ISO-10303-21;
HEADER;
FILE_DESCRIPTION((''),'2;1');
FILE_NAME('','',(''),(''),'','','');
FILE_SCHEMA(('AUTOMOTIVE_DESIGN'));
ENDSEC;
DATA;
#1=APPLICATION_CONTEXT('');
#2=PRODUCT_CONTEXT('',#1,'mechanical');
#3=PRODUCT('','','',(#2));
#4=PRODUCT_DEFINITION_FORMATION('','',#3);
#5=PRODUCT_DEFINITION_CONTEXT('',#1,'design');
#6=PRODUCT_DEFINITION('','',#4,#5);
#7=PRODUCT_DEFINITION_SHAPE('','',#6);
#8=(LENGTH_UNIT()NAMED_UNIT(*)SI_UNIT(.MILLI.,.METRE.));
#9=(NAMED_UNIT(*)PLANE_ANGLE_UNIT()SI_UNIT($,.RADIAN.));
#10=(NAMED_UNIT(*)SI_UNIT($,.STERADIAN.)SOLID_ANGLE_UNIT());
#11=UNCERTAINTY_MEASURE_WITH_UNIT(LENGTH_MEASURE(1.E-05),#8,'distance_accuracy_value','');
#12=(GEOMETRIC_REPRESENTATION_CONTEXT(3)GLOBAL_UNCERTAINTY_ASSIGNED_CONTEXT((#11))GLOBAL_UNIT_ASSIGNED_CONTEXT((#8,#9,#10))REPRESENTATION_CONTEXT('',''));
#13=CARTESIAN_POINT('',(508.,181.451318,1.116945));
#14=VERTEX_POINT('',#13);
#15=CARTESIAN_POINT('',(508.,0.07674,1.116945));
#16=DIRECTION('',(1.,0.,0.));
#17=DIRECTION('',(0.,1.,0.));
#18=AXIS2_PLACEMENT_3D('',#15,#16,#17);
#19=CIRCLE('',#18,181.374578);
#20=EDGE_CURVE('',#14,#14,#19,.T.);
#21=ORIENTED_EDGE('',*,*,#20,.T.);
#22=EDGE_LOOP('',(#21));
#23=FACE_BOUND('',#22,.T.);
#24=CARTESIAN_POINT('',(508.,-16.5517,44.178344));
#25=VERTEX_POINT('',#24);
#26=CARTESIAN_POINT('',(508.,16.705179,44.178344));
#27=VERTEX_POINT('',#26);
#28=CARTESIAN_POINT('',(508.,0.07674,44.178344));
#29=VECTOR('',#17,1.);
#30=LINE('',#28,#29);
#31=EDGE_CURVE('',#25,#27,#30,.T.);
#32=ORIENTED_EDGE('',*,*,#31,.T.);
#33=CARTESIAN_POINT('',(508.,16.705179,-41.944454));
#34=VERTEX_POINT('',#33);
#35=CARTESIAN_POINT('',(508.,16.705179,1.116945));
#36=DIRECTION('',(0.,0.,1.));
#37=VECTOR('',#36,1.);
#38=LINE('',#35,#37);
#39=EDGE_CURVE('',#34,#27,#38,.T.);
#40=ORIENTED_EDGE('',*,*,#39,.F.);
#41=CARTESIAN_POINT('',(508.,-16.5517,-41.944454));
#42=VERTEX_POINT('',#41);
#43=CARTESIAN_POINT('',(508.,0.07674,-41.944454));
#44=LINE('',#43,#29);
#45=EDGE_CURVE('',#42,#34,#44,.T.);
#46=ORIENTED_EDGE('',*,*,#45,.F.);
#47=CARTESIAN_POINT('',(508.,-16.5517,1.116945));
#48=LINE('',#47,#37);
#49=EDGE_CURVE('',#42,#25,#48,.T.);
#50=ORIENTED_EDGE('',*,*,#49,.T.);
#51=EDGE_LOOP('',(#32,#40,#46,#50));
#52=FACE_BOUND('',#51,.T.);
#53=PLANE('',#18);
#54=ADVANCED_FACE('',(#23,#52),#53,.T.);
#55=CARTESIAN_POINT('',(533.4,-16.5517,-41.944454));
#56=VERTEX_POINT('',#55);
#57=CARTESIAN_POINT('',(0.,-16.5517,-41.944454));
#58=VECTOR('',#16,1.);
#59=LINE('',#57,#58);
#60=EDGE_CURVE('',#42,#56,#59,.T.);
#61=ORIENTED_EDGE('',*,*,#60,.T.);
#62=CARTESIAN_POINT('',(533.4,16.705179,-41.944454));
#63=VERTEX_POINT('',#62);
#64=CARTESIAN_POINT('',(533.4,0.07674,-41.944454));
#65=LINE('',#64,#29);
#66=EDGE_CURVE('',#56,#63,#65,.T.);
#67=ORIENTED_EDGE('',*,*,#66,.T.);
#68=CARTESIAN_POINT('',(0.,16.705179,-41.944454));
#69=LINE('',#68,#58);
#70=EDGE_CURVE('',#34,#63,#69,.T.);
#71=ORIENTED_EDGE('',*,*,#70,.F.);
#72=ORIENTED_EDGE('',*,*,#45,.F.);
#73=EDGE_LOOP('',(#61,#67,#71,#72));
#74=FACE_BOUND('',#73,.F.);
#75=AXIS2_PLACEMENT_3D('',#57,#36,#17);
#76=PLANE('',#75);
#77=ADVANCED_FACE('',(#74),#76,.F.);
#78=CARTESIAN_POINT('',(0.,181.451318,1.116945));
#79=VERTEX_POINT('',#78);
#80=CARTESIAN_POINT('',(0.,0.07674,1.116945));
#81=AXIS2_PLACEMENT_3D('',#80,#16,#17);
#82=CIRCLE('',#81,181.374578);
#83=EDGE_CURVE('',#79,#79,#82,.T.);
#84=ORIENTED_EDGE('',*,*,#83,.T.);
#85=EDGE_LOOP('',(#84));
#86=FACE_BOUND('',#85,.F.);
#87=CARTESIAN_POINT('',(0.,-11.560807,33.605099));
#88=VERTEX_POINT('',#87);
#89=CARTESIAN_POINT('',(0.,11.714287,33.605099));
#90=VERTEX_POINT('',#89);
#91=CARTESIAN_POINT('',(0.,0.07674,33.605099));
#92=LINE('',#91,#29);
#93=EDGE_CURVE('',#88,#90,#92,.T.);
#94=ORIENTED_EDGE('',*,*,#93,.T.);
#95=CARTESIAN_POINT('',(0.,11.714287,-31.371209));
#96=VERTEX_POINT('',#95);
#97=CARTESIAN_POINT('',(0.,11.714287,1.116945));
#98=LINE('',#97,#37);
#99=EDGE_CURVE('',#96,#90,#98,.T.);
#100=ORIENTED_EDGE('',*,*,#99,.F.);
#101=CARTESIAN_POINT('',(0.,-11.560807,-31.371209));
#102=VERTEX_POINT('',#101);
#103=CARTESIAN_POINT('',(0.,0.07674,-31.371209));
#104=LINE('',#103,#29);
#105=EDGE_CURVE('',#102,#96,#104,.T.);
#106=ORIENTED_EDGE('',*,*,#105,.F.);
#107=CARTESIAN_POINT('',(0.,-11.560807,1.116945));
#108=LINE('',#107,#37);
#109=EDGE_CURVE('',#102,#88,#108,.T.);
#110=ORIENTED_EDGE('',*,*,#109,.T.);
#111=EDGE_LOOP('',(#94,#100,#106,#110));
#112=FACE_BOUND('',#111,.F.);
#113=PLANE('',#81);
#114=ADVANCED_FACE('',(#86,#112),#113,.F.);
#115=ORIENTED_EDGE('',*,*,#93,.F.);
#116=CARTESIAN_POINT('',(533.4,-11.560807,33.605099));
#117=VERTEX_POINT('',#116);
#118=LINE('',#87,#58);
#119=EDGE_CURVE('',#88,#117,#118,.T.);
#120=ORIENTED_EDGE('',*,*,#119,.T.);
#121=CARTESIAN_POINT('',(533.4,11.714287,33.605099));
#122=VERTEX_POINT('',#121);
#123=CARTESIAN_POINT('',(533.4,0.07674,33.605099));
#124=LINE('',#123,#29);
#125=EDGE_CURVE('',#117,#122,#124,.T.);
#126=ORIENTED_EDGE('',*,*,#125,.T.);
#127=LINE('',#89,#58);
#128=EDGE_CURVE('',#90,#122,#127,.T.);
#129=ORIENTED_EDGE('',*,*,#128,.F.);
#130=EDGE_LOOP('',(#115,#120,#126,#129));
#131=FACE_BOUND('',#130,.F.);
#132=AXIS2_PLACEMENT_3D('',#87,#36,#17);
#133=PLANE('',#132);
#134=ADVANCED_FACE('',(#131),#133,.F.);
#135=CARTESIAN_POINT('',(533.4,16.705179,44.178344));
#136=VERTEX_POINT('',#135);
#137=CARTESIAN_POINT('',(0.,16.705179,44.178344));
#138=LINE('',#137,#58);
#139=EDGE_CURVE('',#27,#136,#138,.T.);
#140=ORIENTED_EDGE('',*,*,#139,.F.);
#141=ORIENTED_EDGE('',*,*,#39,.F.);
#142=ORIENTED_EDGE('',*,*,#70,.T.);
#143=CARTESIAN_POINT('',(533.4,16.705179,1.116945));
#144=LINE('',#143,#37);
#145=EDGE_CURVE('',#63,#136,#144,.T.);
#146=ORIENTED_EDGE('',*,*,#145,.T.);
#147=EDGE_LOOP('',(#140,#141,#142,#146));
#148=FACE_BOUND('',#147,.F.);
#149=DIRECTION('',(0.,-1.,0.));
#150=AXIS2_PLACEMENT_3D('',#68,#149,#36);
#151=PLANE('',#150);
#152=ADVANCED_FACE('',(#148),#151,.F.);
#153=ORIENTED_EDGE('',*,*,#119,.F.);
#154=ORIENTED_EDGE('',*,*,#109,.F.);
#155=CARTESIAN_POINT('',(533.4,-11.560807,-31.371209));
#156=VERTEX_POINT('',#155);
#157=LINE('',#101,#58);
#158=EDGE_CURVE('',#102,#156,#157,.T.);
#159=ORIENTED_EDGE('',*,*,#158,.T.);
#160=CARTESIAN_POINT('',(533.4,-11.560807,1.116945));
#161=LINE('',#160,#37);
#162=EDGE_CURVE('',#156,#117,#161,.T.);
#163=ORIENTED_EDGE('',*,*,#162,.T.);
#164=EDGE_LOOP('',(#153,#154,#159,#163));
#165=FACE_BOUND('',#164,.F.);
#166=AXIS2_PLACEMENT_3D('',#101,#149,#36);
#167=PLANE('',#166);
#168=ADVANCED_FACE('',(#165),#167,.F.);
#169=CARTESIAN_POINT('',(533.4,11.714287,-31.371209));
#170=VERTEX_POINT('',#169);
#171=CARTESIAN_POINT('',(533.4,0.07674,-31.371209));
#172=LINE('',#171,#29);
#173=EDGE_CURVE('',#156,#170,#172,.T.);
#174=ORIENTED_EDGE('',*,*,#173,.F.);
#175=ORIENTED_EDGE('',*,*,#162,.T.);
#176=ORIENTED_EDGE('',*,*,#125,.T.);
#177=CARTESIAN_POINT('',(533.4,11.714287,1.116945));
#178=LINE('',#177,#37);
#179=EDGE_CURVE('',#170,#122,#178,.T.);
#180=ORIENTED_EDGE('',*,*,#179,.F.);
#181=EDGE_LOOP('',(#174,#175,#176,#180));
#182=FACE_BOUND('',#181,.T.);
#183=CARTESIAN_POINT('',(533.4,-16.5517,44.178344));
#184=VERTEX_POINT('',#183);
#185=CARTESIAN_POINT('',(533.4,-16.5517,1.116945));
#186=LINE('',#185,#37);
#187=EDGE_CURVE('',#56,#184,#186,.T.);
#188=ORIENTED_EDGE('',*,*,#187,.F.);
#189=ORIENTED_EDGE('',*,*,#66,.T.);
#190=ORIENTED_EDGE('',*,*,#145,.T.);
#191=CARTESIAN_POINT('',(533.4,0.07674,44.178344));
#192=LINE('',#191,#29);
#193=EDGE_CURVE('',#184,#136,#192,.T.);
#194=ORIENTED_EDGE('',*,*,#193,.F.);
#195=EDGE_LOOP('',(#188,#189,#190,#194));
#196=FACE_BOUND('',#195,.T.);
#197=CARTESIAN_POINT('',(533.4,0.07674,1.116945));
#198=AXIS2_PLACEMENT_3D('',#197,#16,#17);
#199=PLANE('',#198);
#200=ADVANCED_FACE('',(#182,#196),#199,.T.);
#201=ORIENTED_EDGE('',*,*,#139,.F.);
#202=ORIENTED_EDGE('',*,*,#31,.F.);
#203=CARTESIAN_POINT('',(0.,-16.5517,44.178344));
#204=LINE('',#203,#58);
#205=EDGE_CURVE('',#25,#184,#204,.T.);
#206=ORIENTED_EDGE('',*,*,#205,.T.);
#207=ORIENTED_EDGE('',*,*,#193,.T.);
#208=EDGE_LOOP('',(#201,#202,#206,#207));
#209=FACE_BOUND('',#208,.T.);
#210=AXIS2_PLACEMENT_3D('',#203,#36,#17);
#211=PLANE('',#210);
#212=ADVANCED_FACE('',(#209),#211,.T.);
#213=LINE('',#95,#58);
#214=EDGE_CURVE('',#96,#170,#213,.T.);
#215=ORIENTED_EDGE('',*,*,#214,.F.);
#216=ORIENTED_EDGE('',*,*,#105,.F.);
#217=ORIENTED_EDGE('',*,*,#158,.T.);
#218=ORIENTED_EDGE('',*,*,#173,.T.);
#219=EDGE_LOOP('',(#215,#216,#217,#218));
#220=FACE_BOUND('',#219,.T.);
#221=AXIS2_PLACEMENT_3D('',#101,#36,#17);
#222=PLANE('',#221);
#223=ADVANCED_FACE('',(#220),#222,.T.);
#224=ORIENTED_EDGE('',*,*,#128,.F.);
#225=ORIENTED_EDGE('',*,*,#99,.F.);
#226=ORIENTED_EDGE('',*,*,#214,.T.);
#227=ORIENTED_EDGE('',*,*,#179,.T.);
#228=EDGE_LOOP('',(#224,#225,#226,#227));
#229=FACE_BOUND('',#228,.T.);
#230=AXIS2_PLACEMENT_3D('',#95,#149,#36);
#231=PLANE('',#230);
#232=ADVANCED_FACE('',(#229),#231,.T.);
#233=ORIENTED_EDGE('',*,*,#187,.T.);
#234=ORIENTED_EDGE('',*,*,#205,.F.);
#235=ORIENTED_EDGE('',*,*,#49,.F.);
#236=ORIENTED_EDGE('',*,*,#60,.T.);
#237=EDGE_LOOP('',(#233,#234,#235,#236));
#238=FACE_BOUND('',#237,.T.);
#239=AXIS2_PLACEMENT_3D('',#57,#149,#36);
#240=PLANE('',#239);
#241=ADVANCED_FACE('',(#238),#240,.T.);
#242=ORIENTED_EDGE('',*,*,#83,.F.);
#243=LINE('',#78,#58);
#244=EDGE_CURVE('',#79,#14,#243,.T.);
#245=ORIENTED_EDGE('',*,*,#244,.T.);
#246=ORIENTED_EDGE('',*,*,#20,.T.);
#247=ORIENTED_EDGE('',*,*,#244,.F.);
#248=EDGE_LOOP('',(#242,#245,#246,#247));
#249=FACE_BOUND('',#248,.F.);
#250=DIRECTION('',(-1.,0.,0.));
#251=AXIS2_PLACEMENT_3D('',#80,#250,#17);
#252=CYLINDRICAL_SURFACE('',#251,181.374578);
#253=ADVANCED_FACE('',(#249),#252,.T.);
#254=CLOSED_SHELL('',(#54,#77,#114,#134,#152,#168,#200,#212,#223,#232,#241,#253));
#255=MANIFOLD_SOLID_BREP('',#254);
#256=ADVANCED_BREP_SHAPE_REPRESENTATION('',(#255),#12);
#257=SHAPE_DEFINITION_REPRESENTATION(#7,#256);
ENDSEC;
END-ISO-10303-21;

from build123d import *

# Parameters (mm, degrees)
F0_W     = 33.256879
F0_H     = 86.122798
F0_W_2   = 23.275094
F0_H_2   = 64.976308
F1_DEPTH = 533.4
F0_R     = 181.374578
F2_DEPTH = 508


with BuildPart() as f1:
    # F0 (on Right) → F1 (new body)
    with BuildSketch(Plane.YZ):
        with Locations((0.07674, 1.116945)):
            Rectangle(F0_W, F0_H)
        with Locations((0.07674, 1.116945)):
            Rectangle(F0_W_2, F0_H_2, mode=Mode.SUBTRACT)
    extrude(amount=F1_DEPTH)

    # F0 (on Right) → F2 (join)
    with BuildSketch(Plane.YZ):
        with Locations((0.07674, 1.116945)):
            Circle(F0_R)
        with Locations((0.07674, 1.116945)):
            Rectangle(F0_W, F0_H, mode=Mode.SUBTRACT)
    extrude(amount=F2_DEPTH)


solid = f1.part
